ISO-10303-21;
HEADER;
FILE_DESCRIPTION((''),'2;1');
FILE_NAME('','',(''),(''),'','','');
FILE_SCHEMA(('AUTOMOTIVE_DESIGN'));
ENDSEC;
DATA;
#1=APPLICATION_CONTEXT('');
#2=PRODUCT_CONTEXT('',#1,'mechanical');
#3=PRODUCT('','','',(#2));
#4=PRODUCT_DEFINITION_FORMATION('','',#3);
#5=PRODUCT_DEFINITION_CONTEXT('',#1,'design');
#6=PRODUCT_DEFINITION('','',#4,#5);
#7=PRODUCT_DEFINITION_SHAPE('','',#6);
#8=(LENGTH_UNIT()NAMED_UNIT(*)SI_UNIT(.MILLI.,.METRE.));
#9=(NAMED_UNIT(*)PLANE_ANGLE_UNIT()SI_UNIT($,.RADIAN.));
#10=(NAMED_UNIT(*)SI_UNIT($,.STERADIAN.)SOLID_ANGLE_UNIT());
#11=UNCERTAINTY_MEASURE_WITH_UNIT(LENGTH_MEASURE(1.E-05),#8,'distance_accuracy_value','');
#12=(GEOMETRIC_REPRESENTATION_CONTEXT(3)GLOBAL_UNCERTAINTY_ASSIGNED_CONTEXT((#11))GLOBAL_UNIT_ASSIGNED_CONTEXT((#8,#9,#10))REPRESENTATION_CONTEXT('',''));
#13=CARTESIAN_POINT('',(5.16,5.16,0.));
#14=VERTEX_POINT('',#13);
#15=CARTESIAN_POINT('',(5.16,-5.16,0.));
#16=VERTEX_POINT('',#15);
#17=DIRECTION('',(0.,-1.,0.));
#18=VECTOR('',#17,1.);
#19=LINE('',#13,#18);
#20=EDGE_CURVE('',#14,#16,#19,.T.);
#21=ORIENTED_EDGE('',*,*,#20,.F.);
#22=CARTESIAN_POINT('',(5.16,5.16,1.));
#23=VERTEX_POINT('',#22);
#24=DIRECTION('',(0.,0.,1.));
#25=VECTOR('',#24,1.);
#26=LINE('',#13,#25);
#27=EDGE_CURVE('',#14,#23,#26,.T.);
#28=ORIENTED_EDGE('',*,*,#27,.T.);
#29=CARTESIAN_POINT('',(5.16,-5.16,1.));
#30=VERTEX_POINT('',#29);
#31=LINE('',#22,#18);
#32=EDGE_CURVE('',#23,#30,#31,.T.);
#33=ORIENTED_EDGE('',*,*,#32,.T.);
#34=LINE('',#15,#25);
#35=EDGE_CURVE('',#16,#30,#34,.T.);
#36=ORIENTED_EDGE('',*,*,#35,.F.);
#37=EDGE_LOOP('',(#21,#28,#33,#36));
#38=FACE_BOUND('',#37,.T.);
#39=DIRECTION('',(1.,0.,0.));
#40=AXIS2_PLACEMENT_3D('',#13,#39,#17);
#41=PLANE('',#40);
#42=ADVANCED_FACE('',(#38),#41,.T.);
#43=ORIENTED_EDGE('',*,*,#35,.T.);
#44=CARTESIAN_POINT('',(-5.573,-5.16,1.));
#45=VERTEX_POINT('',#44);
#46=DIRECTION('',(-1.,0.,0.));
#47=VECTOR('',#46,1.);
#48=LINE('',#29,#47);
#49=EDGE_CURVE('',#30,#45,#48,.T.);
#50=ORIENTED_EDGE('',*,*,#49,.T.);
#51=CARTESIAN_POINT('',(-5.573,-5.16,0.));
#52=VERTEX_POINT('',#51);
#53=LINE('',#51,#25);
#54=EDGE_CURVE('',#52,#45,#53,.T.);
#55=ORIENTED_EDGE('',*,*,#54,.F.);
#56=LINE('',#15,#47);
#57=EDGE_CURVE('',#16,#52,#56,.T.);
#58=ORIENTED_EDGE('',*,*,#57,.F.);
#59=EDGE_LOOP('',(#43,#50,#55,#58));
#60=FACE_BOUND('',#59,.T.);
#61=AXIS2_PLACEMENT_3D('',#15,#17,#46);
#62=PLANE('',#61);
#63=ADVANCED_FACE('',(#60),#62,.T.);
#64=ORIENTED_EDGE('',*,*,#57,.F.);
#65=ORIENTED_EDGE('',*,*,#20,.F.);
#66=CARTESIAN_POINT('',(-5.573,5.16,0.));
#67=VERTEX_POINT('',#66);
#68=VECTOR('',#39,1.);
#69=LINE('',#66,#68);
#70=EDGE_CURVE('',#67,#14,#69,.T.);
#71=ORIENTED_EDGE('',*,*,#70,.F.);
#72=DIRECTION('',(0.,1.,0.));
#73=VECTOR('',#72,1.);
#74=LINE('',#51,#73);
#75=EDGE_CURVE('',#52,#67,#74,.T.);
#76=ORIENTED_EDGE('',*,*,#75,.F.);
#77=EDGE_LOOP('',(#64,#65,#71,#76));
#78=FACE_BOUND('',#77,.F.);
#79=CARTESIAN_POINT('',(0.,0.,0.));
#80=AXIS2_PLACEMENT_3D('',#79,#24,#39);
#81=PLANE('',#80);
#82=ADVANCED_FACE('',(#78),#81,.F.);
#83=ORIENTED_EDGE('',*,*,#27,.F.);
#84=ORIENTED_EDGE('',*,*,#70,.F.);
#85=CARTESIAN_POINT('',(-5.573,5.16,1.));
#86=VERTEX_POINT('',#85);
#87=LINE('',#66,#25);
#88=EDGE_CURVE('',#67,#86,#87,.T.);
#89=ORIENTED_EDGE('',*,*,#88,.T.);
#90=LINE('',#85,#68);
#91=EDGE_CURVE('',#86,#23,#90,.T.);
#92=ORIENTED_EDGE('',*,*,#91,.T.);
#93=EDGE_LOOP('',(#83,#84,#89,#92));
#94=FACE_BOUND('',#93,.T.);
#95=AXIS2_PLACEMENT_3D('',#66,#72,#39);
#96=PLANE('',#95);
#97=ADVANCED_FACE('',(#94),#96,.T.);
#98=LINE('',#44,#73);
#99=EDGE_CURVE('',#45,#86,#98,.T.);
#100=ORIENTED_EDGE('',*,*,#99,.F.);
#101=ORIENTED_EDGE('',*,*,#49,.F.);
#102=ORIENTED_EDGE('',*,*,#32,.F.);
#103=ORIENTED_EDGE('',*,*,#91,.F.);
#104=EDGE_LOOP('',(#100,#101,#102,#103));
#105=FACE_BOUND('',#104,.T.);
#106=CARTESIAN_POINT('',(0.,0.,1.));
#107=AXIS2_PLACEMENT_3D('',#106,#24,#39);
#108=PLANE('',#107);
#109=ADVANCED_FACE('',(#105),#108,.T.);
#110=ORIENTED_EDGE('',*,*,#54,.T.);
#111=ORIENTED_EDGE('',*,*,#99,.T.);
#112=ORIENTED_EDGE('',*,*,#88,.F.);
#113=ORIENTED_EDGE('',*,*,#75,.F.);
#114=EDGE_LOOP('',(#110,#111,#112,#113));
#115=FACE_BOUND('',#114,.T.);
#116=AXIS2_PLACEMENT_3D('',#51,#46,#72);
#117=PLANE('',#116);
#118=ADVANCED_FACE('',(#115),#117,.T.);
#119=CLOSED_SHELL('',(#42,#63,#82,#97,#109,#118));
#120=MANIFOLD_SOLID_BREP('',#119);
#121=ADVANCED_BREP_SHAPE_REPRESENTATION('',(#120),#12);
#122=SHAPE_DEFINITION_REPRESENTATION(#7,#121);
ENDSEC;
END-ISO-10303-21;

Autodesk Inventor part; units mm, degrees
ref_plane "YZ Plane" through (0, 0, 0) normal (1, 0, 0) x (0, 1, 0)
ref_plane "XZ Plane" through (0, 0, 0) normal (0, 1, 0) x (-1, 0, 0)
ref_plane "XY Plane" through (0, 0, 0) normal (0, 0, 1) x (1, 0, 0)
sketch "QFP80P900X900X120-32N, ATMEGA328PB-AUR_46" plane through (0, 0, 0) normal (0, 0, 1) x (1, 0, 0)
  line L0 (-5.573, 5.16) -> (5.16, 5.16)
  line L1 (5.16, 5.16) -> (5.16, -5.16)
  line L2 (5.16, -5.16) -> (-5.573, -5.16)
  line L3 (-5.573, -5.16) -> (-5.573, 5.16)
extrude "Extrusion1" add sketch "QFP80P900X900X120-32N, ATMEGA328PB-AUR_46" along normal blind 1
properties part number "ATMEGA328PB-AUR"
